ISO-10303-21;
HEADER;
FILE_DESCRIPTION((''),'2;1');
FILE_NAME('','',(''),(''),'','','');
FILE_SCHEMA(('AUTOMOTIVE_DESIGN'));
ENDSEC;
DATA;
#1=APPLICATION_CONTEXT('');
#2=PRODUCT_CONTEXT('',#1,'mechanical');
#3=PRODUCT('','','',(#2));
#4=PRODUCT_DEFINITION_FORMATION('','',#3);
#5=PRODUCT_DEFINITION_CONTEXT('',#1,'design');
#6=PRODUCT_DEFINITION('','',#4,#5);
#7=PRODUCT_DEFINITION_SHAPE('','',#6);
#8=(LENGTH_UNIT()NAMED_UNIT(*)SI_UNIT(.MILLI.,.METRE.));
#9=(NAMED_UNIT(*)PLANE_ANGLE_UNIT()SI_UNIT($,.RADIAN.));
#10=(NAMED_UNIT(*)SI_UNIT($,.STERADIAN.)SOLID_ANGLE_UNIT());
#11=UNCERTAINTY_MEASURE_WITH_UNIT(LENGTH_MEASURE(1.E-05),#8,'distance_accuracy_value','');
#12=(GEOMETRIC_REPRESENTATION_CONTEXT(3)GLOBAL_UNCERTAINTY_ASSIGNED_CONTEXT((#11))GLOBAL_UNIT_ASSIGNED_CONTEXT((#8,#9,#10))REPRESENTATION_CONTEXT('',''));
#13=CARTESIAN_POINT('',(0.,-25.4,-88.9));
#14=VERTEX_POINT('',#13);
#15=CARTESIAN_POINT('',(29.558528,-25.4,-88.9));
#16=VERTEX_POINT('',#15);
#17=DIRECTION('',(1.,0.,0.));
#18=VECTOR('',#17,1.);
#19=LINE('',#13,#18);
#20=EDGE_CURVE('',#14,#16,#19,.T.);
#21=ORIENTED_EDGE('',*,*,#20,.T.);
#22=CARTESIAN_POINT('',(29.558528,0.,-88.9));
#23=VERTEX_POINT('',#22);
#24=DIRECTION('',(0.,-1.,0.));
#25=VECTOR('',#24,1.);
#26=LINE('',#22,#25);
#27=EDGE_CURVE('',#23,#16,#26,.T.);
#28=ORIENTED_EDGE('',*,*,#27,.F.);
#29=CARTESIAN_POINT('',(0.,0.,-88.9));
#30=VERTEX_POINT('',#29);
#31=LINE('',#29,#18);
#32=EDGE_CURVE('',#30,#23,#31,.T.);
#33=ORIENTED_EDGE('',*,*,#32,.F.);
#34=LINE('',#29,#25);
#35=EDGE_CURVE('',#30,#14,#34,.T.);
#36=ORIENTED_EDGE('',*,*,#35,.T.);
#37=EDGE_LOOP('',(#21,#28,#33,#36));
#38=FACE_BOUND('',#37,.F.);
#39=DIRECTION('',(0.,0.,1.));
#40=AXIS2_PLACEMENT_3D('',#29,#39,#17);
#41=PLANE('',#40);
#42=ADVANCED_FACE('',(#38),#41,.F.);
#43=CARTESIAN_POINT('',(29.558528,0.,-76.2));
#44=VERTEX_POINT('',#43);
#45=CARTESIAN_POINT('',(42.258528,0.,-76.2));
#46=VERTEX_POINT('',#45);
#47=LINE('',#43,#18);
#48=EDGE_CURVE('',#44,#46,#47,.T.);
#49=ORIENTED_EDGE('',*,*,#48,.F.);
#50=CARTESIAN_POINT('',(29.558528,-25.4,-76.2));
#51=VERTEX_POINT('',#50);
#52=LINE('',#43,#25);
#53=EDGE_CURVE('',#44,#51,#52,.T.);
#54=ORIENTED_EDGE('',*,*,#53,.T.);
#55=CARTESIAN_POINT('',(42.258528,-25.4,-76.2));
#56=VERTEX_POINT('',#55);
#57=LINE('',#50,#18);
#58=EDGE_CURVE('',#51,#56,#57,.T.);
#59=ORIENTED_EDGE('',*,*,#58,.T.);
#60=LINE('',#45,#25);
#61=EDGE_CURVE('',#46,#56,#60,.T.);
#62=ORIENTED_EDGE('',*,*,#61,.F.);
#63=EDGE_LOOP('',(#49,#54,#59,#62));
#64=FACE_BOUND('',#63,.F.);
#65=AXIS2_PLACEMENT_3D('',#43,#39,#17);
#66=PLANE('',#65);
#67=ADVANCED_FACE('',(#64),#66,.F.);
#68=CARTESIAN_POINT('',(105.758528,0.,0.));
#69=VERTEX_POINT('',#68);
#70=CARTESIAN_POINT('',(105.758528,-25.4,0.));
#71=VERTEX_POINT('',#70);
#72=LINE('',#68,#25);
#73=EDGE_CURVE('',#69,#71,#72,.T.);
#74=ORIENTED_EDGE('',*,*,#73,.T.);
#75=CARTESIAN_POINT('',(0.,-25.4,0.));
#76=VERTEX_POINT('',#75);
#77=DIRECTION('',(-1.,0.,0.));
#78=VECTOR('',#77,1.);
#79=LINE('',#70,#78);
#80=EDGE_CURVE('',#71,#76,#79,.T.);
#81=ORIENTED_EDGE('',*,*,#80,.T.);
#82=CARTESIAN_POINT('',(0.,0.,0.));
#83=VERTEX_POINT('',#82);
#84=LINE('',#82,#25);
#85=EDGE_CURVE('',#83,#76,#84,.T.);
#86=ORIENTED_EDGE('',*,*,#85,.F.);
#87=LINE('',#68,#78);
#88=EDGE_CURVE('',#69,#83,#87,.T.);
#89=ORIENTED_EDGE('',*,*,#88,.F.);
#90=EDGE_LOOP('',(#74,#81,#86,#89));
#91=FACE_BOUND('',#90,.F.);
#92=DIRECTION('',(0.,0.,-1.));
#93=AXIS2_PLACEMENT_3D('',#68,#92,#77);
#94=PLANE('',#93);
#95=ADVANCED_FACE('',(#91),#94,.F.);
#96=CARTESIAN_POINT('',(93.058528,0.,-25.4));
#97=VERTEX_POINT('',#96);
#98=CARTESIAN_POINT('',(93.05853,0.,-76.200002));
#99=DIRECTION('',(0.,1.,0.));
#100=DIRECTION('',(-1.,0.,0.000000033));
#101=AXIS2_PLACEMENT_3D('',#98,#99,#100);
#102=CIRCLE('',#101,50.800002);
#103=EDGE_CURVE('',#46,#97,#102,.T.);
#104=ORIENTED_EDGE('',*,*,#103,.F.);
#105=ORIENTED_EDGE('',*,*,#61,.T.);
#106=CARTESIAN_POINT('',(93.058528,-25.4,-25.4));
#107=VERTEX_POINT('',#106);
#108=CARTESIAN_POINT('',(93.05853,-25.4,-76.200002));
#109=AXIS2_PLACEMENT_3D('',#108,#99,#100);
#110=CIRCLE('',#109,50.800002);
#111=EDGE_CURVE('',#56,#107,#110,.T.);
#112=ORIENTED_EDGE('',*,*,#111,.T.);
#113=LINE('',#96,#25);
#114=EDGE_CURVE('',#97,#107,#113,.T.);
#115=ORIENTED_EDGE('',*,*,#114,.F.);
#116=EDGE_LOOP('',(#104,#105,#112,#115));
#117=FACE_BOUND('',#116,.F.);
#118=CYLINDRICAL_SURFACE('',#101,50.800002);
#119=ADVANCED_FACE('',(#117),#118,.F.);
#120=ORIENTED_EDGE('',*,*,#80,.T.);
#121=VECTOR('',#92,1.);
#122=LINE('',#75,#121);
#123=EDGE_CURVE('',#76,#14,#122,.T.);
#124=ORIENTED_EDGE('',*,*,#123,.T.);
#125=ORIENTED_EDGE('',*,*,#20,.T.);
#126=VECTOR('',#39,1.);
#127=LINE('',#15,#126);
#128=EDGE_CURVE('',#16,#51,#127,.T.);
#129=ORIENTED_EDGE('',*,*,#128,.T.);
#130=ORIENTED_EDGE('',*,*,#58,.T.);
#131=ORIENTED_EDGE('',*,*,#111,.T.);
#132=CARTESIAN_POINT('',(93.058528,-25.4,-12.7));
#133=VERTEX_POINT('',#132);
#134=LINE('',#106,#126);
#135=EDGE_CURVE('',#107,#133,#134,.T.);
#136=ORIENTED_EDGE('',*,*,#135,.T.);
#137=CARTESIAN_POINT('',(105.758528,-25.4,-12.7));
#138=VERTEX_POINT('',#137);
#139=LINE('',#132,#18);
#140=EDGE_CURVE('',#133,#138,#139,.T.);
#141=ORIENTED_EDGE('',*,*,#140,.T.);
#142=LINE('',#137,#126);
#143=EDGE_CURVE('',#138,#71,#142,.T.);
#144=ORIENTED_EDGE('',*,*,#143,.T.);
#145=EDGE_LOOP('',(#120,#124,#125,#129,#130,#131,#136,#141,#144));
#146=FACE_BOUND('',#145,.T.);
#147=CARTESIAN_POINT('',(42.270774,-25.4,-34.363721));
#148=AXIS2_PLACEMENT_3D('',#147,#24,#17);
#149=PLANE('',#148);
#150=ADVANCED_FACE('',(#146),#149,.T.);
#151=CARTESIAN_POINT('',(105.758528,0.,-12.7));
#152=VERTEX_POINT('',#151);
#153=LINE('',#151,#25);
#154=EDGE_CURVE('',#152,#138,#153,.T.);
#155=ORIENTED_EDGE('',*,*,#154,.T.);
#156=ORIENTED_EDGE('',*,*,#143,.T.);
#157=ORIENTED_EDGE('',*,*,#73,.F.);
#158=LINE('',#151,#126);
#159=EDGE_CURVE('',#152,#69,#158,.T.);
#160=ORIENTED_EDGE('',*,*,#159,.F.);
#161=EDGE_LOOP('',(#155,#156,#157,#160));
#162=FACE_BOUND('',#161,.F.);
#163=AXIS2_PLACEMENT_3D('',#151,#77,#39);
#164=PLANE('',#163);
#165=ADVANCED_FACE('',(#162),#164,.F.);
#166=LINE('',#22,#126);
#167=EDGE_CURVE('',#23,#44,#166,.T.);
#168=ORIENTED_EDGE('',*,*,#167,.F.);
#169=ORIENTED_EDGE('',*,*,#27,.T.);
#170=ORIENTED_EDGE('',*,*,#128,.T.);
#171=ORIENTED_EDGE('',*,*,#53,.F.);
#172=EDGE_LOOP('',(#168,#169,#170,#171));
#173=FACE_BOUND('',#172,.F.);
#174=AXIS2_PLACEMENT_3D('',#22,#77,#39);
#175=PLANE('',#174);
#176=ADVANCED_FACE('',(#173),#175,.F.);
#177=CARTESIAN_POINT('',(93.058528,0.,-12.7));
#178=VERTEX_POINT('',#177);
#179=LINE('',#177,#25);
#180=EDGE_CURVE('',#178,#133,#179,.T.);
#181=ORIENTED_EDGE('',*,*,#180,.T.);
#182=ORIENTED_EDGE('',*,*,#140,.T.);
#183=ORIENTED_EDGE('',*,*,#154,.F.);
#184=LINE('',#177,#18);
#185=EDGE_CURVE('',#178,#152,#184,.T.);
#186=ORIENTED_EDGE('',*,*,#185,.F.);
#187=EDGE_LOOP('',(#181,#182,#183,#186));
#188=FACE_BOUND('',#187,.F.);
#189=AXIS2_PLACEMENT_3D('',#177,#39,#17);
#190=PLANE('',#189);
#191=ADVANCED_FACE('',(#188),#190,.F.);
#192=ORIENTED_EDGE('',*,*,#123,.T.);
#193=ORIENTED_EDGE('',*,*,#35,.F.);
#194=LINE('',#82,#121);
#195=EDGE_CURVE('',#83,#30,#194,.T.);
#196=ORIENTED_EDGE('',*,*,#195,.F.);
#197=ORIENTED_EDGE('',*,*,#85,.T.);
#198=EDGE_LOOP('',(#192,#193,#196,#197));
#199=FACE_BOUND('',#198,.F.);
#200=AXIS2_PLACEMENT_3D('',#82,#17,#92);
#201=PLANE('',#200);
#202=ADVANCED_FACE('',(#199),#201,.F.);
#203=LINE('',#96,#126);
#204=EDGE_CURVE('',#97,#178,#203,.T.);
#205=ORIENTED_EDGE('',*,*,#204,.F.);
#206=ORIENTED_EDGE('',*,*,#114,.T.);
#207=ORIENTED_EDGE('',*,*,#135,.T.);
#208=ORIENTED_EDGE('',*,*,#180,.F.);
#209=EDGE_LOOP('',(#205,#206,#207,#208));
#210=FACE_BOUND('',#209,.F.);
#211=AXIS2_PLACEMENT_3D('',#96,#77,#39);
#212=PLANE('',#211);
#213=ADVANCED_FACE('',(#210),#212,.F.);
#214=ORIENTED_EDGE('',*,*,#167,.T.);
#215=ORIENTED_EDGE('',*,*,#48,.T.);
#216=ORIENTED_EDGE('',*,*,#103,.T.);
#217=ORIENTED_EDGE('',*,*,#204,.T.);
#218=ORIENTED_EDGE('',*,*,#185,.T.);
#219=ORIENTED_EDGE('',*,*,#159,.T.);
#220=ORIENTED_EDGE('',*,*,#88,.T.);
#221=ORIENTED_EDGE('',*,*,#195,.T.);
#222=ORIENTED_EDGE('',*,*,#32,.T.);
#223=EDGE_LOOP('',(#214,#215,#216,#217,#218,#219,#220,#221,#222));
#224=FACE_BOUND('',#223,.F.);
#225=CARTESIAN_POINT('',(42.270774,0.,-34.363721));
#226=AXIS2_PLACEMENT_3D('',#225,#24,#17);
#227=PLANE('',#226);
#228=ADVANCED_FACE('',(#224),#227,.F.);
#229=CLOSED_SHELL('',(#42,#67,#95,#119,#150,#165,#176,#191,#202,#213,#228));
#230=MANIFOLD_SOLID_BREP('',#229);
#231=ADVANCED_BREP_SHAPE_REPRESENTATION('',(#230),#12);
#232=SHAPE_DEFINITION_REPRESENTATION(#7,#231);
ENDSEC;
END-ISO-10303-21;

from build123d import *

# Parameters (mm, degrees)
F1_DEPTH = 25.4


with BuildPart() as f1:
    # F0 (on Front) → F1 (new body)
    with BuildSketch(Plane.XZ):
        with BuildLine():
            Line((105.758528, 0), (0, 0))
            Line((0, 0), (0, -88.9))
            Line((0, -88.9), (29.558528, -88.9))
            Line((29.558528, -88.9), (29.558528, -76.2))
            Line((29.558528, -76.2), (42.258528, -76.2))
            ThreePointArc((42.258528, -76.2), (57.137504, -40.278976), (93.058528, -25.4))
            Line((93.058528, -25.4), (93.058528, -12.7))
            Line((93.058528, -12.7), (105.758528, -12.7))
            Line((105.758528, -12.7), (105.758528, 0))
        make_face()
    extrude(amount=F1_DEPTH)


solid = f1.part
